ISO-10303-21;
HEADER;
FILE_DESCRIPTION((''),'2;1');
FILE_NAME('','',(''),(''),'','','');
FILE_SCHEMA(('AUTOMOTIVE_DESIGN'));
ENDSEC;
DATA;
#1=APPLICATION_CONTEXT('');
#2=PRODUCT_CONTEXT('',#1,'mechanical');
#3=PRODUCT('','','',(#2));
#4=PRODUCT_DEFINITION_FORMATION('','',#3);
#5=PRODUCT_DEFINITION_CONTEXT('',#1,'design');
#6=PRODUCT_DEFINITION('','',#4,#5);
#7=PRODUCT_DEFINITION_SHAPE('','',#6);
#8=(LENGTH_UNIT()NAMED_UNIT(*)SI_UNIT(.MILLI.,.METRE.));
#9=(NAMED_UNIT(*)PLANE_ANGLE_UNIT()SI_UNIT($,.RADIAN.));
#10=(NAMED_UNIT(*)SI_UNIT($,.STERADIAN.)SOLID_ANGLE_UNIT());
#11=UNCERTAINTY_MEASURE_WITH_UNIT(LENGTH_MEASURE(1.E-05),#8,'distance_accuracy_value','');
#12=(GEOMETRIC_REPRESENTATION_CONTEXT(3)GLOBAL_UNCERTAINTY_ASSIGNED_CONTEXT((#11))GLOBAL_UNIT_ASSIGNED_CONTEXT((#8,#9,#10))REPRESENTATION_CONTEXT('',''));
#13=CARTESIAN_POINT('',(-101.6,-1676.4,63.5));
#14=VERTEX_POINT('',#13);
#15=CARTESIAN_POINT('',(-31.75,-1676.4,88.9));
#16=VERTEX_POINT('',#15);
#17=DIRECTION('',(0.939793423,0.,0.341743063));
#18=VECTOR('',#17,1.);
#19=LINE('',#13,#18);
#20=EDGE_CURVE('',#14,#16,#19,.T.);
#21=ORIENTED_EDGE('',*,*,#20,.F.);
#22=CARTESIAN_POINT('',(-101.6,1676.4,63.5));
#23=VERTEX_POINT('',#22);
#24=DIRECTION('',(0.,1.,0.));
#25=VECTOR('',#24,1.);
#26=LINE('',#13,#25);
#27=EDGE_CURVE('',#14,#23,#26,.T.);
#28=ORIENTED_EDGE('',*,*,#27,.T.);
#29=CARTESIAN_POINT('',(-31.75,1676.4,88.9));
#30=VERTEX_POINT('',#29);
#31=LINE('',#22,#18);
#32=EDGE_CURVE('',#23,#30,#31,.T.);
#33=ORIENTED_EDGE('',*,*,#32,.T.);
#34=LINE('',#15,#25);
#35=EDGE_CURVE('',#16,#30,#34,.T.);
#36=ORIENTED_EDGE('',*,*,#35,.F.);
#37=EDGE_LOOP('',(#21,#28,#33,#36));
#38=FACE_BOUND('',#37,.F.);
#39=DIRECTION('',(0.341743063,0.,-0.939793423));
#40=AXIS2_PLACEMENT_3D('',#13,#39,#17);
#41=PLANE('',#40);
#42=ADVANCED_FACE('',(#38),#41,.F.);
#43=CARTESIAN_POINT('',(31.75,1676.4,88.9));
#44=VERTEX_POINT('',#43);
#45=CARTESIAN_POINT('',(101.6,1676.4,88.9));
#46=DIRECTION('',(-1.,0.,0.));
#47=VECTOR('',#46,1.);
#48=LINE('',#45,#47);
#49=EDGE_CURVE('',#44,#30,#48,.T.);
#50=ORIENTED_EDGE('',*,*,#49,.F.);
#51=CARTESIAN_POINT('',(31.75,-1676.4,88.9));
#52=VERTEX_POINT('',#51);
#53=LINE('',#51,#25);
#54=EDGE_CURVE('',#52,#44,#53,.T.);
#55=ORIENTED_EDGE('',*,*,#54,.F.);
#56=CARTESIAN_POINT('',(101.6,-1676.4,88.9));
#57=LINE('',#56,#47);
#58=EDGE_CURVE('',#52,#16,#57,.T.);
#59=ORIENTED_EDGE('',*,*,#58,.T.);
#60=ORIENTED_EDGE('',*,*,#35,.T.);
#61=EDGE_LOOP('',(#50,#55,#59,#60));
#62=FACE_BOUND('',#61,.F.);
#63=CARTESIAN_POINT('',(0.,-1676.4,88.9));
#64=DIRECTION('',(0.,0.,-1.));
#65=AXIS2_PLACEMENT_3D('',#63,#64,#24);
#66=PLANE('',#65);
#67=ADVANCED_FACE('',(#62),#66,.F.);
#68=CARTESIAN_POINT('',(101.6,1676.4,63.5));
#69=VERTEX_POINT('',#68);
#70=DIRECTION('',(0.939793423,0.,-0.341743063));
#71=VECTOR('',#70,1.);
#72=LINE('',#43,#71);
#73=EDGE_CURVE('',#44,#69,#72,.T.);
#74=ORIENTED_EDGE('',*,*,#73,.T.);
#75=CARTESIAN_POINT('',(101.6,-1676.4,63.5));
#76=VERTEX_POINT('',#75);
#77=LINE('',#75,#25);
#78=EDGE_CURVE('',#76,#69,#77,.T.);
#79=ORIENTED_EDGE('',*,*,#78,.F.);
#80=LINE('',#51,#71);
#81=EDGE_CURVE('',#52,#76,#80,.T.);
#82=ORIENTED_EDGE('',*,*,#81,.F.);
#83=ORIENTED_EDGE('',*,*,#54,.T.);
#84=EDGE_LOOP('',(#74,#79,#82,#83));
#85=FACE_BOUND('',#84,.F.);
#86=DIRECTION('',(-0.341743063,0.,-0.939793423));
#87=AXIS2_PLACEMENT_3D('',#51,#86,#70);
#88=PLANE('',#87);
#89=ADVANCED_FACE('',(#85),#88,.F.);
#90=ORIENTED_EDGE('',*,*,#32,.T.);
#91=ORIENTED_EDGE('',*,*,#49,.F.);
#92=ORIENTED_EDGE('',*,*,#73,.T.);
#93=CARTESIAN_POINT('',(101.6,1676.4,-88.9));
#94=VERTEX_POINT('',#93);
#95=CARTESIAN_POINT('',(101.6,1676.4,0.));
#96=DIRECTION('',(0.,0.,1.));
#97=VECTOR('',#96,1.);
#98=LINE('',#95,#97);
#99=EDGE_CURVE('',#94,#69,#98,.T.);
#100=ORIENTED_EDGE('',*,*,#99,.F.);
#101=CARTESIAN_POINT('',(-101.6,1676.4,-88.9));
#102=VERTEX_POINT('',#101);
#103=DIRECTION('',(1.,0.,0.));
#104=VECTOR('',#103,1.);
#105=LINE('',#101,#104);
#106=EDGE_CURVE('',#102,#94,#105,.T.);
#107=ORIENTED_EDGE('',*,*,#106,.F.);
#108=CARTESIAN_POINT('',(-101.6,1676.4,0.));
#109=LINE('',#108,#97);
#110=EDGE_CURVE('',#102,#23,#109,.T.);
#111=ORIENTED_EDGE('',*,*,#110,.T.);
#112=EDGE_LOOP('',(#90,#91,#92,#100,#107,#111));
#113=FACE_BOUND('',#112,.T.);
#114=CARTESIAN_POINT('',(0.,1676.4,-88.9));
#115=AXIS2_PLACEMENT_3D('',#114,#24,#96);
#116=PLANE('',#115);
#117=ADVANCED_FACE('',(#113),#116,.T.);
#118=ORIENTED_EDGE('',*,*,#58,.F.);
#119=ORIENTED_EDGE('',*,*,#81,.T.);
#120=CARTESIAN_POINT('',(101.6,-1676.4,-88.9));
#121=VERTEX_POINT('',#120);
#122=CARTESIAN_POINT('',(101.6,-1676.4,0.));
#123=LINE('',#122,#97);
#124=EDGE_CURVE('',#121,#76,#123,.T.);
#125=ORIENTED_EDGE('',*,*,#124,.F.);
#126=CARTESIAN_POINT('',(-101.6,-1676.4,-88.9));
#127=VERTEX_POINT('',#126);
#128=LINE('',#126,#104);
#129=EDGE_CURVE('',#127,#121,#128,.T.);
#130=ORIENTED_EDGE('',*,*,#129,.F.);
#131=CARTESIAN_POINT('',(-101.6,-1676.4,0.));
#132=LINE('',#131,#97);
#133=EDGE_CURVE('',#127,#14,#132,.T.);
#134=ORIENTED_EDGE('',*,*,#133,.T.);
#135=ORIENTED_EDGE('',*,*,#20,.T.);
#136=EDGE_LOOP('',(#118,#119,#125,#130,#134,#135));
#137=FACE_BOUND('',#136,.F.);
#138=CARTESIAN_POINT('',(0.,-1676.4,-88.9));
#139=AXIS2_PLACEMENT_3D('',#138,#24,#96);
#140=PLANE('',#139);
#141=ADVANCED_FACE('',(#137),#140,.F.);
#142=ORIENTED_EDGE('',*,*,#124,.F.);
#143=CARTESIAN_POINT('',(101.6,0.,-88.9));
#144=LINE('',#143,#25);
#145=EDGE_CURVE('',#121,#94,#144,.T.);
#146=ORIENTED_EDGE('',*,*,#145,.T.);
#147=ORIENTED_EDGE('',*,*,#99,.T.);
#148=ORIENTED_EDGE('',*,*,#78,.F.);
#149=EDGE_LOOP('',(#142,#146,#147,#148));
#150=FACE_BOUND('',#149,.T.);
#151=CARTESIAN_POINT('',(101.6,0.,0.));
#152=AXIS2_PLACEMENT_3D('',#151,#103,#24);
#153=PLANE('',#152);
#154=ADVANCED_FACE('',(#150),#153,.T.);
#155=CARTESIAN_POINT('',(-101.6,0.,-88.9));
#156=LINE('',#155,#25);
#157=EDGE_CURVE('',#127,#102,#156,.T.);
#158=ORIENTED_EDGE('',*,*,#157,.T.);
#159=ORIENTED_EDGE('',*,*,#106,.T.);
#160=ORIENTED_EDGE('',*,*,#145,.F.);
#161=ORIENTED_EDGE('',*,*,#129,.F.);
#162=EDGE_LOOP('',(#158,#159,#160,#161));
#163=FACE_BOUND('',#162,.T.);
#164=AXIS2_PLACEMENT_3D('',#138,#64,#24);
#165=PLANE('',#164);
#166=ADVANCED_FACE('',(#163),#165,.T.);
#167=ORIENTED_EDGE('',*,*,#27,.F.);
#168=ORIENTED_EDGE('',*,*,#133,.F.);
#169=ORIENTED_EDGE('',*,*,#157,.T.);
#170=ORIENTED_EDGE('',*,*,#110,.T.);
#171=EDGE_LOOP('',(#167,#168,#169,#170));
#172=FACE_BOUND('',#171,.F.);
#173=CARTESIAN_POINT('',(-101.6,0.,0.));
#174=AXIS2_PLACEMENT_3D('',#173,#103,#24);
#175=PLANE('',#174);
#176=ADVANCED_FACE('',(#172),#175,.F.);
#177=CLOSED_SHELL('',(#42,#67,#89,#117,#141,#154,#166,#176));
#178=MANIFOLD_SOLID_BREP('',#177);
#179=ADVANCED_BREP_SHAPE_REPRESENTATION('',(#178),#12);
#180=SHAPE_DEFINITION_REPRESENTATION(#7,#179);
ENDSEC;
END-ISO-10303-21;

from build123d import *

# Parameters (mm, degrees)
F0_W     = 3352.8
F0_H     = 177.8
F1_DEPTH = 101.6
F3_DEPTH = 3352.8


with BuildPart() as f1:
    # F0 (on Right) → F1 (new body, symmetric)
    with BuildSketch(Plane.YZ):
        Rectangle(F0_W, F0_H)
    extrude(amount=F1_DEPTH, both=True)

    # F2 (on face) → F3 (cut)
    with BuildSketch(Plane.XZ.offset(1676.4)):
        Polygon((-101.6, 88.9), (-101.6, 63.5), (-31.75, 88.9), align=None)
        Polygon((101.6, 88.9), (31.75, 88.9), (101.6, 63.5), align=None)
    extrude(amount=-F3_DEPTH, mode=Mode.SUBTRACT)


solid = f1.part
